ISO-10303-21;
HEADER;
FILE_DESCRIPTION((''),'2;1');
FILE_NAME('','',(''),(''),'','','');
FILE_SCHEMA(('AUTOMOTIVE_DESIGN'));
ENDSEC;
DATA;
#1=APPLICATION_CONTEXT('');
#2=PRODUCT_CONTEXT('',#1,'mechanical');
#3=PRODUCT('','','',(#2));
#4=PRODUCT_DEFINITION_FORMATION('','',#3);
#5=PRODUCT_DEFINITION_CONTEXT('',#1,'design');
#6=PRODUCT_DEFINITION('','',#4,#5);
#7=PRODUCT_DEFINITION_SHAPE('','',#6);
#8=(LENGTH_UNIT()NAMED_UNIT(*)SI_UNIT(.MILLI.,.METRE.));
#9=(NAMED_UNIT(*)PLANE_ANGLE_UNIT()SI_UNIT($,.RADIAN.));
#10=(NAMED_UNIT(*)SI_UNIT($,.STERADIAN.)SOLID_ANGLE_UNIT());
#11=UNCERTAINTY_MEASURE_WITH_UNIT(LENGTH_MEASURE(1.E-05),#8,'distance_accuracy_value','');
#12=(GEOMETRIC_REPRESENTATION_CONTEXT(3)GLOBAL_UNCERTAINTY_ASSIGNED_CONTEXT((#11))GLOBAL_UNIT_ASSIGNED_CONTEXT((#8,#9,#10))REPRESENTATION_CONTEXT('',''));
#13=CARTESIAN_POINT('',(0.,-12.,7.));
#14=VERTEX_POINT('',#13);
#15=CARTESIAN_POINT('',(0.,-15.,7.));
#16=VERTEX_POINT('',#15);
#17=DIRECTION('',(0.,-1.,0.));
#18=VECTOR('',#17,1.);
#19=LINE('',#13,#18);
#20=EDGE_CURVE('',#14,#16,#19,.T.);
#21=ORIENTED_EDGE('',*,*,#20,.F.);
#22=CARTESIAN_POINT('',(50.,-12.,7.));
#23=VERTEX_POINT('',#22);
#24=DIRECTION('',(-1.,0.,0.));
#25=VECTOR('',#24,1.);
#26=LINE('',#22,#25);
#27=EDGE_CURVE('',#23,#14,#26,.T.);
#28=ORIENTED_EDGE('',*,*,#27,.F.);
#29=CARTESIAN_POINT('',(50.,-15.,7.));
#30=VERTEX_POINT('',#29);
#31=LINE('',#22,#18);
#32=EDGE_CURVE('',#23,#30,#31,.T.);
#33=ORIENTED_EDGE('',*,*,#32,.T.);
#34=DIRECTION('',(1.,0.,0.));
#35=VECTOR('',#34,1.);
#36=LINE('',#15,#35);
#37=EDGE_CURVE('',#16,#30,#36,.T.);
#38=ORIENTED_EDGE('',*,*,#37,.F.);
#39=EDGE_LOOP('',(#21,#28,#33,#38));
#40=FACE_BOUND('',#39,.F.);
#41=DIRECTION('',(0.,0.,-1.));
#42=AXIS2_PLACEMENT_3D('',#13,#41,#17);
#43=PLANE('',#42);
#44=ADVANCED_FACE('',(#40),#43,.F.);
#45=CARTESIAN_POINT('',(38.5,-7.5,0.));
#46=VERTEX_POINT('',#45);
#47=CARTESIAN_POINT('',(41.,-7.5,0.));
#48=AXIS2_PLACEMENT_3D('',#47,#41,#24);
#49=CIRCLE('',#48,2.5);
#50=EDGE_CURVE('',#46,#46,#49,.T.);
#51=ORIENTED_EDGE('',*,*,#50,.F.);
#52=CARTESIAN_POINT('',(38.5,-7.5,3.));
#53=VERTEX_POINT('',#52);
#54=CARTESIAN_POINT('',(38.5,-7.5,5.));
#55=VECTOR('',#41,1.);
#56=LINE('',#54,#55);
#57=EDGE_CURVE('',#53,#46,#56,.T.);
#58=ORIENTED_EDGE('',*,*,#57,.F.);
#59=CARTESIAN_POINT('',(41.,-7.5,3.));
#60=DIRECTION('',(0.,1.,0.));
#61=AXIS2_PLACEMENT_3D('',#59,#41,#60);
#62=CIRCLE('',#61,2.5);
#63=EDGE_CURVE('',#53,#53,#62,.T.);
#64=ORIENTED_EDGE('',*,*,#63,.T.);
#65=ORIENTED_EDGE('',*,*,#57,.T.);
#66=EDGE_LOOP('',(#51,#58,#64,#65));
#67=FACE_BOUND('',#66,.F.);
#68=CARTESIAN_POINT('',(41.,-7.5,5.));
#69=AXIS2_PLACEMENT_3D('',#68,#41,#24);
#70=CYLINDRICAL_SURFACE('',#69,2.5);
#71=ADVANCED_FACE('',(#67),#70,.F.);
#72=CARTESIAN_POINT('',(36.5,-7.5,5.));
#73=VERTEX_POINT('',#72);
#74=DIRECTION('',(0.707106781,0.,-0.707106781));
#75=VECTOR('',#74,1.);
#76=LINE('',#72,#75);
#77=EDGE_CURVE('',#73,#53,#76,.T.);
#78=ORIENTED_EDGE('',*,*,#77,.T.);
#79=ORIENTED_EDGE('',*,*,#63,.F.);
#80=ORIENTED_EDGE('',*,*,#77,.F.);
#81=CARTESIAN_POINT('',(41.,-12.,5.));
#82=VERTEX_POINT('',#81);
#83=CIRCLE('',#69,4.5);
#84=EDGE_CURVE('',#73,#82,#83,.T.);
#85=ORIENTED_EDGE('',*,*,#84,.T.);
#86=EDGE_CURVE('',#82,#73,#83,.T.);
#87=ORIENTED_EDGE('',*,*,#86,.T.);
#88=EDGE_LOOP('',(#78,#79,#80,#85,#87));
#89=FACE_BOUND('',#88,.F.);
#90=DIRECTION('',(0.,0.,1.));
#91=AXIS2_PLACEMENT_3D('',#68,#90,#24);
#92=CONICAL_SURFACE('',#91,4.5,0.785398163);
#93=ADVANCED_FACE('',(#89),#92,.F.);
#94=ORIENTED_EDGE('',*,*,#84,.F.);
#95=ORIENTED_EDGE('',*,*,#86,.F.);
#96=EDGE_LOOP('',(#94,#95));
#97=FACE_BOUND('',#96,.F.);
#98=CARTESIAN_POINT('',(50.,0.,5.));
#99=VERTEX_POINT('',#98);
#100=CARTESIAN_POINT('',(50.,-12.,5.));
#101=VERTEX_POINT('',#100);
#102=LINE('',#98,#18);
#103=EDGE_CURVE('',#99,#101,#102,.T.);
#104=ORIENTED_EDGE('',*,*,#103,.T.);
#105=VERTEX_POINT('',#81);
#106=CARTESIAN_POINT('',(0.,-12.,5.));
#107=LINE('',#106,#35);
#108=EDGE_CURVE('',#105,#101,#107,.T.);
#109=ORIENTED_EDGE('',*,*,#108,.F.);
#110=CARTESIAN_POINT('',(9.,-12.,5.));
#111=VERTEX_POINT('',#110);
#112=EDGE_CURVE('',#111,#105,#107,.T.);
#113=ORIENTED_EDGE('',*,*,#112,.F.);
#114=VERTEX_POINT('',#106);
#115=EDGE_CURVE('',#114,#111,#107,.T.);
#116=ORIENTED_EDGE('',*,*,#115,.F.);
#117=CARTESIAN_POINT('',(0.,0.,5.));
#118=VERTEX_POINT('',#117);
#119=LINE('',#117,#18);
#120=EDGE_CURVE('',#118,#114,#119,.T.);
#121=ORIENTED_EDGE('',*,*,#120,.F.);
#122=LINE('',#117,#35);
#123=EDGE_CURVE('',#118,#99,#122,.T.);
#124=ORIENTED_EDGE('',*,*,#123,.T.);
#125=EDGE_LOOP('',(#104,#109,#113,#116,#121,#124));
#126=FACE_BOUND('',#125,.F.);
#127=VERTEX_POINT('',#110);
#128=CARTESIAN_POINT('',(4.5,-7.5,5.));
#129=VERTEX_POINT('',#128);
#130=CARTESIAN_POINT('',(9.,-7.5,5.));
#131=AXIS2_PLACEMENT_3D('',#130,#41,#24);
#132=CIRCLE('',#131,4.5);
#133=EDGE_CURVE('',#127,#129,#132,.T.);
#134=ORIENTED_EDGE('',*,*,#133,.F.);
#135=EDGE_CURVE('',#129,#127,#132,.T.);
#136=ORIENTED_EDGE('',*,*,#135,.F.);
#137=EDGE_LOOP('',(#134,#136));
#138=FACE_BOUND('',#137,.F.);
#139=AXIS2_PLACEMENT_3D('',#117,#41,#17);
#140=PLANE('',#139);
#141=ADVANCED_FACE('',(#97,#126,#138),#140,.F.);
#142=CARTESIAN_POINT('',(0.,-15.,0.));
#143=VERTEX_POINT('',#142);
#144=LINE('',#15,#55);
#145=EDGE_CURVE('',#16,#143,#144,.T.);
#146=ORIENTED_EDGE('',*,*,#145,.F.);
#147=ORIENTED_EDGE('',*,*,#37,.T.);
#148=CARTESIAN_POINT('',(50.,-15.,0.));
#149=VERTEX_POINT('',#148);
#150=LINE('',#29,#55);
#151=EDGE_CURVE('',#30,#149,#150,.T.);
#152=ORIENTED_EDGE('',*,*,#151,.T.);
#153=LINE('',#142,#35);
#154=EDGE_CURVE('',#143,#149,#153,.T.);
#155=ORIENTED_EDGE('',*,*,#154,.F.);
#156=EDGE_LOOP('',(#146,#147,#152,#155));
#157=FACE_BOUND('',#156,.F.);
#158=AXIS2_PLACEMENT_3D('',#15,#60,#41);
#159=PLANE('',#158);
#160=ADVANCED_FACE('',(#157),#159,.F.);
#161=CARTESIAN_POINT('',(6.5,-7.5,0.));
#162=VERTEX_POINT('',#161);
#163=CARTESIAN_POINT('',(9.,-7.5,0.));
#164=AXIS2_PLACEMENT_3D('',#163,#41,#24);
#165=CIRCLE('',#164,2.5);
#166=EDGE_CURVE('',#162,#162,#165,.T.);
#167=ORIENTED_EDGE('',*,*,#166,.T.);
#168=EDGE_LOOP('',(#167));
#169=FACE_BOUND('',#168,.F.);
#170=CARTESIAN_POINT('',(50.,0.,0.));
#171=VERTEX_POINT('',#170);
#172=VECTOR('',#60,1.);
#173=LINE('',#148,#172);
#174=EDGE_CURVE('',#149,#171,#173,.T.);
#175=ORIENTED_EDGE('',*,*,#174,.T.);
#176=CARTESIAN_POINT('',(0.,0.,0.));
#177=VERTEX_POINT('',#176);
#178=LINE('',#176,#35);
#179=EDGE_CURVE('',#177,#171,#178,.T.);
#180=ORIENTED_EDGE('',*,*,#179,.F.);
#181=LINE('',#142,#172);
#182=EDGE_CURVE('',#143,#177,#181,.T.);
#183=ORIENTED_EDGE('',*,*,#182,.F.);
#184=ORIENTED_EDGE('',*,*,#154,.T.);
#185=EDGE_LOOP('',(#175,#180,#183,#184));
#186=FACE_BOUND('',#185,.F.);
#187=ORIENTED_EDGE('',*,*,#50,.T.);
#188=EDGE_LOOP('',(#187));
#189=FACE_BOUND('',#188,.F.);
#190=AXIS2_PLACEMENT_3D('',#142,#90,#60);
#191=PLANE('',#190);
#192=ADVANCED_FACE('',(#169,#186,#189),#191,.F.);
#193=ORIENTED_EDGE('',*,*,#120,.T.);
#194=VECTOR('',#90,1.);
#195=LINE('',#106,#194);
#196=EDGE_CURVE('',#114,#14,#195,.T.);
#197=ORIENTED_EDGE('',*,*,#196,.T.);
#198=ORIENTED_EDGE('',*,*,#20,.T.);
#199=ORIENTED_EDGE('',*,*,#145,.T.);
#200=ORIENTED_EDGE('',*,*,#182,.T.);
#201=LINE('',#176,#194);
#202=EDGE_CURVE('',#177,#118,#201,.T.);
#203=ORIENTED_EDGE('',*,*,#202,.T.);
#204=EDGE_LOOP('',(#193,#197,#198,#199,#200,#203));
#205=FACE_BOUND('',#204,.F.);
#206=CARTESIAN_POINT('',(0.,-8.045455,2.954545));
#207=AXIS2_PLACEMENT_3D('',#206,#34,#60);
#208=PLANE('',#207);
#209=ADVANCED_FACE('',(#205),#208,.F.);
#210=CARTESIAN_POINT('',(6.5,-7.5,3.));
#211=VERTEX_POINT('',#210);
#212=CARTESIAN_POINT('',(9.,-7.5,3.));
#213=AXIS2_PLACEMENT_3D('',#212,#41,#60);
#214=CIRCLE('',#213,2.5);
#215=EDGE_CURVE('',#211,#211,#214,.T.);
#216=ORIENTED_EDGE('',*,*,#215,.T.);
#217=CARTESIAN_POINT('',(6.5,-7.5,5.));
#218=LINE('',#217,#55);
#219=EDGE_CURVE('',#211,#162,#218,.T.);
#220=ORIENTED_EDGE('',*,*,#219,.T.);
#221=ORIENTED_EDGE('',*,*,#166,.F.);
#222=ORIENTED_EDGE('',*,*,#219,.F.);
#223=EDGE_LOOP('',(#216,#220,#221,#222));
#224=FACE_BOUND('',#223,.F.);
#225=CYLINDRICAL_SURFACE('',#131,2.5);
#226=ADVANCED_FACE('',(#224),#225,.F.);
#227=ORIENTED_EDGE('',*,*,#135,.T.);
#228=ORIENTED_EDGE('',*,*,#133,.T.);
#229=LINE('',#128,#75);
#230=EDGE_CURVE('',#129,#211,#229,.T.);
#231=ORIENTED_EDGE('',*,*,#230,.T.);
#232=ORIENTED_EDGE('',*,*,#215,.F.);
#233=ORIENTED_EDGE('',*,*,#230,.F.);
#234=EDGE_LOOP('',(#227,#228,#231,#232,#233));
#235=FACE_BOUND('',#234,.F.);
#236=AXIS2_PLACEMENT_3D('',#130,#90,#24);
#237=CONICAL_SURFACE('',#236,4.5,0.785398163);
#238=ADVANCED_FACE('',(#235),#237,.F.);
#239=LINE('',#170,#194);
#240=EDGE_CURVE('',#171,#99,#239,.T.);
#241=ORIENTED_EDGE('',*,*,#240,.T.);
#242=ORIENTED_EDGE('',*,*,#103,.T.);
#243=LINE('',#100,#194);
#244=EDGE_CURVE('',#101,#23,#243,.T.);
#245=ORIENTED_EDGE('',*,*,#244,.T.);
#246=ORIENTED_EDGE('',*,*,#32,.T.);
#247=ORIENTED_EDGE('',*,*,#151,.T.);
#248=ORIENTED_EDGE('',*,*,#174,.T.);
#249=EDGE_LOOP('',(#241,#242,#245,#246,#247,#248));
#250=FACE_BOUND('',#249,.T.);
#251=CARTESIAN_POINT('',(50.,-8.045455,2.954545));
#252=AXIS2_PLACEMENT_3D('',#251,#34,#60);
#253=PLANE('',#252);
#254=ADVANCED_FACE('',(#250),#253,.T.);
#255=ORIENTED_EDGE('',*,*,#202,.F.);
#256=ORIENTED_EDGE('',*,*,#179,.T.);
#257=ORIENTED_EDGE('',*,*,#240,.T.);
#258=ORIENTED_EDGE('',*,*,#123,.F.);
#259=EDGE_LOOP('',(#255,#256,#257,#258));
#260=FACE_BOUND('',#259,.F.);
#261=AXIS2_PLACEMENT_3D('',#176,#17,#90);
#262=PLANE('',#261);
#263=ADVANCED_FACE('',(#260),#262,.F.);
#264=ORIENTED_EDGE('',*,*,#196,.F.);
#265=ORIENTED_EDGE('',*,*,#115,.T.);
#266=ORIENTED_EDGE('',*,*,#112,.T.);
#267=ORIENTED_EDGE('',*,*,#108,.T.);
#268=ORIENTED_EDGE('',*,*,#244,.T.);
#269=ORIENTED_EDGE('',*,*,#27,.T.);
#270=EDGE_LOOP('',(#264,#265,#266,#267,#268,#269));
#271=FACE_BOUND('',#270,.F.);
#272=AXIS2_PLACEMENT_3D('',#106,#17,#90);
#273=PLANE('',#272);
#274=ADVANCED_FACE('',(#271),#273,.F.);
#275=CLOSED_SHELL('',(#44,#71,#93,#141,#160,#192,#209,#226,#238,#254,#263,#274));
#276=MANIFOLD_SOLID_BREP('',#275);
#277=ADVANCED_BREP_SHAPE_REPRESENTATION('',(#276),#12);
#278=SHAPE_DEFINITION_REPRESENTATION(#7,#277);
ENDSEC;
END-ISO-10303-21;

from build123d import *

# Parameters (mm, degrees)
F1_DEPTH       = 50
F3_D           = 5
F3_CSINK_D     = 9
F3_CSINK_ANGLE = 90


with BuildPart() as f1:
    # F0 (on Right) → F1 (new body)
    with BuildSketch(Plane.YZ):
        Polygon((-15, 0), (0, 0), (0, 5), (-12, 5), (-12, 7), (-15, 7), (-15, 5), align=None)
    extrude(amount=F1_DEPTH)

    # F3 (through all)
    with Locations(Plane.XY.offset(5)):
        with Locations((41, -7.5), (9, -7.5)):
            CounterSinkHole(F3_D / 2, F3_CSINK_D / 2, counter_sink_angle=F3_CSINK_ANGLE)


solid = f1.part
